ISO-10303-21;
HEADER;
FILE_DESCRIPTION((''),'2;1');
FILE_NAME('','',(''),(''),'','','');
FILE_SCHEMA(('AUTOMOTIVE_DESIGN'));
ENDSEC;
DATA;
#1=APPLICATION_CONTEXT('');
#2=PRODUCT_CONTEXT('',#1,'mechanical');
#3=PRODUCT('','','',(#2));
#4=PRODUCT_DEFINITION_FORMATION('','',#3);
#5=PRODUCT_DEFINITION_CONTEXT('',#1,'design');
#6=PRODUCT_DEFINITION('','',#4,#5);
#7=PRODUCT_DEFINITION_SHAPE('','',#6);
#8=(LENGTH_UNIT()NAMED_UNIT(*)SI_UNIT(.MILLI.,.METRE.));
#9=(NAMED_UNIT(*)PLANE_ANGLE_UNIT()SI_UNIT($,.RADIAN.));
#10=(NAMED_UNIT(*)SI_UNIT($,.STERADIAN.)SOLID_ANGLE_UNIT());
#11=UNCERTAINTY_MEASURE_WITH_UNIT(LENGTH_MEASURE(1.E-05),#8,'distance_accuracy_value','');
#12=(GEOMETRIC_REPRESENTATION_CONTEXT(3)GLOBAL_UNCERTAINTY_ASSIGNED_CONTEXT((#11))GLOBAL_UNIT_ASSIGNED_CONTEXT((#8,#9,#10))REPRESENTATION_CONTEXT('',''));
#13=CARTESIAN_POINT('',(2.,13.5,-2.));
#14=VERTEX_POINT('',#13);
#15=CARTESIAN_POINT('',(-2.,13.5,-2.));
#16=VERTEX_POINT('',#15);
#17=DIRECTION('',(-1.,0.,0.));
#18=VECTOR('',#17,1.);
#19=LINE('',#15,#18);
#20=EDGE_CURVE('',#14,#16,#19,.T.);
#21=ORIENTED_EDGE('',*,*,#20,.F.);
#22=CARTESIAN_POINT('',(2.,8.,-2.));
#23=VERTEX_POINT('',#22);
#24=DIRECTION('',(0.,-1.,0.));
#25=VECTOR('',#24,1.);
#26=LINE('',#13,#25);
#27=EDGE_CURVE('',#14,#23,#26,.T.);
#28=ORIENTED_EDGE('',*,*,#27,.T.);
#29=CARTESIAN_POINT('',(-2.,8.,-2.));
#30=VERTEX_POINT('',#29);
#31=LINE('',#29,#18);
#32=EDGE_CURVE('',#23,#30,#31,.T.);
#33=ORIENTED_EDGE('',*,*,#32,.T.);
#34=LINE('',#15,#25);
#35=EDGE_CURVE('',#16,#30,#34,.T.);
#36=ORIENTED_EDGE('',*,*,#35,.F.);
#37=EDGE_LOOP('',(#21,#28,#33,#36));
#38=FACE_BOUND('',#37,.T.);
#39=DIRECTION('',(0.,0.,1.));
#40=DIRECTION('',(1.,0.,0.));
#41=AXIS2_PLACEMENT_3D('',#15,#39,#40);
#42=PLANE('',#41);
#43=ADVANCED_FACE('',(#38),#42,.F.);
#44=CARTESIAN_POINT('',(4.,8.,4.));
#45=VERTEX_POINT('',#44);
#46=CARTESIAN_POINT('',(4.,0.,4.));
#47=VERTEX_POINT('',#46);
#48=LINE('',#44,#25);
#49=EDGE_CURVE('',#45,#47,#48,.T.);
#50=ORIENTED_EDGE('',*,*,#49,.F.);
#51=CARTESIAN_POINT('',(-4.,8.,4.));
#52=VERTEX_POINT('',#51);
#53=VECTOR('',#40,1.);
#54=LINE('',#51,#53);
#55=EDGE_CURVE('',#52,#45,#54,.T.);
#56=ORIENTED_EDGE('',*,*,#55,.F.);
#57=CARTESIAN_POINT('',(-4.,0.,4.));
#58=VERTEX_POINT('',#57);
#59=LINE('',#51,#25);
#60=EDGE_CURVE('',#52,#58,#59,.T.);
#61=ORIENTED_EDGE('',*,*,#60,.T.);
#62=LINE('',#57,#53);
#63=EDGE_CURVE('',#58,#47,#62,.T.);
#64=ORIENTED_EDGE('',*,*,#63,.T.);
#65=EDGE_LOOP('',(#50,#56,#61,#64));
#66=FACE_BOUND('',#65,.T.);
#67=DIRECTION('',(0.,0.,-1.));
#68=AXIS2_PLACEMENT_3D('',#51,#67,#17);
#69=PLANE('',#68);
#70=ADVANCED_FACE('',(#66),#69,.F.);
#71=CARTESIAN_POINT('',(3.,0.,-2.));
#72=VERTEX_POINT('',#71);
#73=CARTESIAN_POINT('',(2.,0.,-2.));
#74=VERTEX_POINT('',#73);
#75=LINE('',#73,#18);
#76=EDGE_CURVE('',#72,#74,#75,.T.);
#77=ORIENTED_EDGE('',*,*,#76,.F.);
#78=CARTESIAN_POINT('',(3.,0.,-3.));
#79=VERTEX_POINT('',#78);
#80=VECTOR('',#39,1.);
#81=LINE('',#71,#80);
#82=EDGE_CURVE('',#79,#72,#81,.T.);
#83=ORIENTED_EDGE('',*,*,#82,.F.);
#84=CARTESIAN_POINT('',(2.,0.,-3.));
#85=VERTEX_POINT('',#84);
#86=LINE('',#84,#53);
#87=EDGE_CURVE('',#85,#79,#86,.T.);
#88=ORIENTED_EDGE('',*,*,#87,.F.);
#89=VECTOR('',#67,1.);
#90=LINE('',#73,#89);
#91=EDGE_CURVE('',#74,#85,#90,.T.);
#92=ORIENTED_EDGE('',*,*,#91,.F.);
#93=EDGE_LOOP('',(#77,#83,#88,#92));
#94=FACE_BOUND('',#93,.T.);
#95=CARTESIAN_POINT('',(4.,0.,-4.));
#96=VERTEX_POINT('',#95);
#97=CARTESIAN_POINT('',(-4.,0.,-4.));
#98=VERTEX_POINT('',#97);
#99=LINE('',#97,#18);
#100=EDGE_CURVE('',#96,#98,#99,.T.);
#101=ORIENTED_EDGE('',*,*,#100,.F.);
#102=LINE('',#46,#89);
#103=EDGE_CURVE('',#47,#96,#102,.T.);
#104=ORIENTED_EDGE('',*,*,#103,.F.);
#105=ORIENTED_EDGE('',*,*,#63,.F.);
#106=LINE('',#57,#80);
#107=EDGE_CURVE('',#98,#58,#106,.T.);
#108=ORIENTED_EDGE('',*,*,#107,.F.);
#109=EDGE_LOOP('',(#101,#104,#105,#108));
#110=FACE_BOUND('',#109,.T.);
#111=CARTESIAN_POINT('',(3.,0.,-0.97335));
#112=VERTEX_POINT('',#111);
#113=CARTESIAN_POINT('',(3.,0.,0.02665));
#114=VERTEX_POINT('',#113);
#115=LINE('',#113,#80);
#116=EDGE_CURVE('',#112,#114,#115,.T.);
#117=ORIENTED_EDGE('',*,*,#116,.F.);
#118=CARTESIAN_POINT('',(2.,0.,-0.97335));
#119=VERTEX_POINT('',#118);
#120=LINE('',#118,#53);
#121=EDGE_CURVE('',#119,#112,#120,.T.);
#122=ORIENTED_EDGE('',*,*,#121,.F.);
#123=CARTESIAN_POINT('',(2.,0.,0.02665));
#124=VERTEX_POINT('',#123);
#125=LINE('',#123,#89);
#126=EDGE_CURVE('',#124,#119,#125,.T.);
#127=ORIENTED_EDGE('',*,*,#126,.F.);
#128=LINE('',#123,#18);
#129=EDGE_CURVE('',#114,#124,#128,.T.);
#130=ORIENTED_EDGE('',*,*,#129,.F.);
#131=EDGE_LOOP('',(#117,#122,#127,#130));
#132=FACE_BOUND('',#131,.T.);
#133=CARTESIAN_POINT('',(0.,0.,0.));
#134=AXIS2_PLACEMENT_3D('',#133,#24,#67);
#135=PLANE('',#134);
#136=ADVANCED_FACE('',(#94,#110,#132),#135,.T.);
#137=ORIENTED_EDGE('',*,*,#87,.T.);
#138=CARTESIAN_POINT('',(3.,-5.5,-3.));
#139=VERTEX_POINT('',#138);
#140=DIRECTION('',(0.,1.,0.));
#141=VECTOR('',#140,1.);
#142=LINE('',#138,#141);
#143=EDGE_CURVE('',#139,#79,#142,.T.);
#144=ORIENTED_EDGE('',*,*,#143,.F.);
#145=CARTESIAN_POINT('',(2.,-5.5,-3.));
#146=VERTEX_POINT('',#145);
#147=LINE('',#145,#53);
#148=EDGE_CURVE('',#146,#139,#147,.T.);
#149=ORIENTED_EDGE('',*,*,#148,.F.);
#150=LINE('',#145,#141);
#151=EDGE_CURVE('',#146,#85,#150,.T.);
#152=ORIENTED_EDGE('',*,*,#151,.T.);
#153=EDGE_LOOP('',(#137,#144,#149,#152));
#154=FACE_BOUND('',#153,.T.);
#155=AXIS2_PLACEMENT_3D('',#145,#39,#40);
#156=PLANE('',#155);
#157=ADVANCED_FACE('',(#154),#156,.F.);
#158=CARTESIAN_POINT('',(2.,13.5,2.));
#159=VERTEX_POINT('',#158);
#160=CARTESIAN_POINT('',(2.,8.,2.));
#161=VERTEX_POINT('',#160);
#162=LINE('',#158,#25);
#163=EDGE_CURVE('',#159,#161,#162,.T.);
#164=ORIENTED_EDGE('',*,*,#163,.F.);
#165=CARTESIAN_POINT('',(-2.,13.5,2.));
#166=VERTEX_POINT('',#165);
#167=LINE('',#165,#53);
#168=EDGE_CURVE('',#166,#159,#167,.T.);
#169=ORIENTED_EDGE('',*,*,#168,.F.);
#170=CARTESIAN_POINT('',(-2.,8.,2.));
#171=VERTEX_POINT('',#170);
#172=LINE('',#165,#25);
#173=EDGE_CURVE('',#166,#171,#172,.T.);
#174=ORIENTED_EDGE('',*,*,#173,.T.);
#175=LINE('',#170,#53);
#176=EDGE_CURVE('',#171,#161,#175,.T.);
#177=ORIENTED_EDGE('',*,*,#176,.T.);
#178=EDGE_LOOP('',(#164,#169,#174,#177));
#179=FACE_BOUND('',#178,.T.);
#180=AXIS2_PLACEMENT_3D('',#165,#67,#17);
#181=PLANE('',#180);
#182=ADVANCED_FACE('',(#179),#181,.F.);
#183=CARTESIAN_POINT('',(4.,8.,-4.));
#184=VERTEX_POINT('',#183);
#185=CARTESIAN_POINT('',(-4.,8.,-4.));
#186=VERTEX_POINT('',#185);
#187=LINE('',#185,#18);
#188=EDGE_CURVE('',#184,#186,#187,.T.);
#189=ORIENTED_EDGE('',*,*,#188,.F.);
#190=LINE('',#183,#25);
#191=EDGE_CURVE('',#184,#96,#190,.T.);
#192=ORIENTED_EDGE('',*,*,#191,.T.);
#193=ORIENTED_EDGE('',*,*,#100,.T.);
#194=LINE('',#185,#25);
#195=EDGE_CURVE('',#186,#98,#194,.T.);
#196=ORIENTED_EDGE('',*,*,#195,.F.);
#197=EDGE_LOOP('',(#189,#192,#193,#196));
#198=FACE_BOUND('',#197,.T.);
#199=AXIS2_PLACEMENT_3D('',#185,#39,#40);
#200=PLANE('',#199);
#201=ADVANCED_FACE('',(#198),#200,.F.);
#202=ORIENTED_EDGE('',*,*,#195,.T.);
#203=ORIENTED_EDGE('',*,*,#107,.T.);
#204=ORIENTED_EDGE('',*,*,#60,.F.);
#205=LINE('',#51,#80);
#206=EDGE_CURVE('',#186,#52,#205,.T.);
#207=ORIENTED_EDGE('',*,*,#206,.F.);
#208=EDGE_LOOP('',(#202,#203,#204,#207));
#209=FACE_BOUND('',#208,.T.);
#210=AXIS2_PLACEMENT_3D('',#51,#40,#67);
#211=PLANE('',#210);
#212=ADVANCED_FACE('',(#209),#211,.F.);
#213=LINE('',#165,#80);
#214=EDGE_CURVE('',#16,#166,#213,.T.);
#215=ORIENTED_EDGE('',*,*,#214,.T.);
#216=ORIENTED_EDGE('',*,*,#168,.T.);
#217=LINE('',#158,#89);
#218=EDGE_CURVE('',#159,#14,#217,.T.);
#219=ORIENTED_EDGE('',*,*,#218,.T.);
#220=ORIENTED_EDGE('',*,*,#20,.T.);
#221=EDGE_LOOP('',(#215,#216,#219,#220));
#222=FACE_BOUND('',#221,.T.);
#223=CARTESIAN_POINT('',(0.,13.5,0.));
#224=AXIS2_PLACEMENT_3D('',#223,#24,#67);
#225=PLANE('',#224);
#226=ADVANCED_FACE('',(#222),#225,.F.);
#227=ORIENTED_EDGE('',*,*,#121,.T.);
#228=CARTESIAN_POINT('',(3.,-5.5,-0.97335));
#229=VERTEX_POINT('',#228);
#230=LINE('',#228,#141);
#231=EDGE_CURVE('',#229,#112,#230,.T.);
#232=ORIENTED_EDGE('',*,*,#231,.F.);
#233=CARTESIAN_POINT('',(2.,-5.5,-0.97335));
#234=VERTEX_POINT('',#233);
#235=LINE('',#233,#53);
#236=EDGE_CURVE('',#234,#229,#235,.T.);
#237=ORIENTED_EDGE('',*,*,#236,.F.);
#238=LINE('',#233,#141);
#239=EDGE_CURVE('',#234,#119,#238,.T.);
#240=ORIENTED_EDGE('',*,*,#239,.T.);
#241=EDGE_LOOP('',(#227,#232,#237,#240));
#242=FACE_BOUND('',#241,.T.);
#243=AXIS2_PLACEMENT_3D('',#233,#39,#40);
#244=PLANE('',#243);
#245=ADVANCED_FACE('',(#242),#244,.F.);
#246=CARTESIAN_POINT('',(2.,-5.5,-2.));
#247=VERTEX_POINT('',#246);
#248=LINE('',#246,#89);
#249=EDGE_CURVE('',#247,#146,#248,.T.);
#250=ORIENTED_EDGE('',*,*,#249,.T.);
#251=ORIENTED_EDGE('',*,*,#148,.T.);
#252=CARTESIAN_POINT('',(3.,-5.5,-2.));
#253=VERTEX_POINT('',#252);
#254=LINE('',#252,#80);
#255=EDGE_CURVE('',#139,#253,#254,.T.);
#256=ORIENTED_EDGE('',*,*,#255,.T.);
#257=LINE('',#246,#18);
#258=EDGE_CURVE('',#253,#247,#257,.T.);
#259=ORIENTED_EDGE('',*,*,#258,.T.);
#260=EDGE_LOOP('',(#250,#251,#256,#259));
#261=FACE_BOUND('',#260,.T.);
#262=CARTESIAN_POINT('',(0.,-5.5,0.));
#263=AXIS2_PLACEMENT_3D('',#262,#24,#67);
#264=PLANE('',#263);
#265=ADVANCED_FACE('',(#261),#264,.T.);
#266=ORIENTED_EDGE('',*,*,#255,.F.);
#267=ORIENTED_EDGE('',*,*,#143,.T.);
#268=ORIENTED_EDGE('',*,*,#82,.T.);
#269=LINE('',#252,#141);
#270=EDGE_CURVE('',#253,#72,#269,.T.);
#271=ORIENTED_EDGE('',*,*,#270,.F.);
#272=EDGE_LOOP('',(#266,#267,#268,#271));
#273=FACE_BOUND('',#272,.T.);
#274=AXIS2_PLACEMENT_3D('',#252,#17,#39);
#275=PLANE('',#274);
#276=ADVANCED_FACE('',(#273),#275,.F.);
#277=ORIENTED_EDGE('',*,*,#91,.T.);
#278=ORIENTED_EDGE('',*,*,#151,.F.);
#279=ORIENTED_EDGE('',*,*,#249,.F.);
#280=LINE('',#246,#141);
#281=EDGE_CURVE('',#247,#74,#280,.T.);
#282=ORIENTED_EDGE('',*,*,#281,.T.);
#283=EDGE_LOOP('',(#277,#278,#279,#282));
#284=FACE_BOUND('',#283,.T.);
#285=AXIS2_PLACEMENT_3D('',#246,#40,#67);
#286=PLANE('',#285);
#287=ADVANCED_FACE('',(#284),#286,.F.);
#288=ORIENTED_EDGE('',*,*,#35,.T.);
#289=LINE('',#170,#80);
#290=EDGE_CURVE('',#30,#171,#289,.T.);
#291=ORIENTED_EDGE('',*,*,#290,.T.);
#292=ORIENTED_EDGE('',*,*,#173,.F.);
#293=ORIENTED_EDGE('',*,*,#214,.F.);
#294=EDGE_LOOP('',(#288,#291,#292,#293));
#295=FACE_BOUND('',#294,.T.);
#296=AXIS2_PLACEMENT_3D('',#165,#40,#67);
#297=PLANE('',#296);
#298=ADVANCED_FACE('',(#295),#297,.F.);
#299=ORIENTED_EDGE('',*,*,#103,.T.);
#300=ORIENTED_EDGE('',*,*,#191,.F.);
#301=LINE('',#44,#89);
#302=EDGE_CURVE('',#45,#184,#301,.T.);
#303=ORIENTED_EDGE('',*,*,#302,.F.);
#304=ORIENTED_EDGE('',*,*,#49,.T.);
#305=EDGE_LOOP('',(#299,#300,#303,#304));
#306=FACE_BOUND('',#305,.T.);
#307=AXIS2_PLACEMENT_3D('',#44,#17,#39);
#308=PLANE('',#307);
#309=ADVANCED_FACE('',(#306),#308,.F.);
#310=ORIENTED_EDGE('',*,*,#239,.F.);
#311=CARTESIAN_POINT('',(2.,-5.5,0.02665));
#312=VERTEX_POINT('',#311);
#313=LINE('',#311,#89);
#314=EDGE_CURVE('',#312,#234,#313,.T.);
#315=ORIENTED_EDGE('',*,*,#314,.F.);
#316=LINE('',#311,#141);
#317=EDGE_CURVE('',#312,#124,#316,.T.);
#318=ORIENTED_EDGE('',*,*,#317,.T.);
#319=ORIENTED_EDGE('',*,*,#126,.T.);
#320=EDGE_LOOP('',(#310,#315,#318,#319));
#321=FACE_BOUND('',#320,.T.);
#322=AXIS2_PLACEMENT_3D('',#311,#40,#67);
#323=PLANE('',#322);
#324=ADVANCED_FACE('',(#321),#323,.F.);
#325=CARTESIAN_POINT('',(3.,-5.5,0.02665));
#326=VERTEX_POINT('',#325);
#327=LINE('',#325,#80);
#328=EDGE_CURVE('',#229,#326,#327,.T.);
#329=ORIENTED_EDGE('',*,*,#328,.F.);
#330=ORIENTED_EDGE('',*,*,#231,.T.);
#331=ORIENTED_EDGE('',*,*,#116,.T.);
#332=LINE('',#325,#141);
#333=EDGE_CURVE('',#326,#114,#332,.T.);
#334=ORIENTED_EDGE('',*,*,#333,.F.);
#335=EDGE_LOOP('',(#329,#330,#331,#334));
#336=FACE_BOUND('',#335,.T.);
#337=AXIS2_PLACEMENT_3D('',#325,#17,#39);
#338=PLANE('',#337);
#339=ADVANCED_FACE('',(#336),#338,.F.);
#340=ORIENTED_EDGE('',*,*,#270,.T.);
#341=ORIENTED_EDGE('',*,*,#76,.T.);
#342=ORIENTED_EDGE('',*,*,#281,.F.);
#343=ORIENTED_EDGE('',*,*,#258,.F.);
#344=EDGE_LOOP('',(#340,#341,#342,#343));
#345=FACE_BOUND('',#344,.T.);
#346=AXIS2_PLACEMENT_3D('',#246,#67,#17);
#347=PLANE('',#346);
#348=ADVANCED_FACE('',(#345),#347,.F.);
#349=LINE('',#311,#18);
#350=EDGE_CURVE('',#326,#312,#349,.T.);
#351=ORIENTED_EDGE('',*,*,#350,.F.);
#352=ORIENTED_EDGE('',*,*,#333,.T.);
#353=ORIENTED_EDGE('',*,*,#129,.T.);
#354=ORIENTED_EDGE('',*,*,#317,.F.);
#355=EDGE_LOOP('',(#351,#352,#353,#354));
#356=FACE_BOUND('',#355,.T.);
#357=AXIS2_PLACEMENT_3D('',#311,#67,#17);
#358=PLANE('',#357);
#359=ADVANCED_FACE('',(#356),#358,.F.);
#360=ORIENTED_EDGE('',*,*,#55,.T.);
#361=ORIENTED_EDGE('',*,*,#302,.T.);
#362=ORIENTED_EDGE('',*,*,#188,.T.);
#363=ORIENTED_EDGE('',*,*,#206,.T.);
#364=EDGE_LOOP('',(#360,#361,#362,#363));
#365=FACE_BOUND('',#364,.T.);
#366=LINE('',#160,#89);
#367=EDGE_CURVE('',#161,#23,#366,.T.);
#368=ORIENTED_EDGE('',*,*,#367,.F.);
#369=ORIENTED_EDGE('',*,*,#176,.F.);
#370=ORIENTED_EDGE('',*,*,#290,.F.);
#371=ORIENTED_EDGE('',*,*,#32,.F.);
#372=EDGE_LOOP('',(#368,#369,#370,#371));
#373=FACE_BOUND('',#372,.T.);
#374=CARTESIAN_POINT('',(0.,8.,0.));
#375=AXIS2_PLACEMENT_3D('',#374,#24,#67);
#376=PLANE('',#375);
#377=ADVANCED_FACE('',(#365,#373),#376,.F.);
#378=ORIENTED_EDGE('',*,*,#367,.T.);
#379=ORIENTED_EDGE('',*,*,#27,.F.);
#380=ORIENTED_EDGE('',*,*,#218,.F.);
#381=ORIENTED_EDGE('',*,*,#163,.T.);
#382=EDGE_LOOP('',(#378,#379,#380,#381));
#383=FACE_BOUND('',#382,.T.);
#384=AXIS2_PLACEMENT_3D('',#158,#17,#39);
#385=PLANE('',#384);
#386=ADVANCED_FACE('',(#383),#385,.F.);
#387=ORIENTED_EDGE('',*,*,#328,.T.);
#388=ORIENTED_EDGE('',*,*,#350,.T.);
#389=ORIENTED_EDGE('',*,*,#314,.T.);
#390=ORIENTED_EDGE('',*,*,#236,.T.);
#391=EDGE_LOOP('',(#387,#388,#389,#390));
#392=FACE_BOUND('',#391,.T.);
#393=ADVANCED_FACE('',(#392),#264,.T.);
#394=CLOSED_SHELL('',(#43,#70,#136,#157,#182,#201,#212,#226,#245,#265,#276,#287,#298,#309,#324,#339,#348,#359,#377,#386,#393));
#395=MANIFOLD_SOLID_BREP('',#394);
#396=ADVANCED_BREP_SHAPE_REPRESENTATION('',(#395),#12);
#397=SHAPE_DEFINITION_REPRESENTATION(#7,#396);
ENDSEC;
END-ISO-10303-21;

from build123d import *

# Parameters (mm, degrees)
SKETCH1_W           = 8
SKETCH1_H           = 8
BOSS_EXTRUDE1_DEPTH = 8
SKETCH2_W           = 4
SKETCH2_H           = 4
BOSS_EXTRUDE2_DEPTH = 5.5
SKETCH3_W           = 1
SKETCH3_H           = 1
BOSS_EXTRUDE3_DEPTH = 5.5


with BuildPart() as part:
    # Sketch1 → Boss-Extrude1 (new body)
    with BuildSketch(Plane(origin=(0, 0, 0), x_dir=(1, 0, 0), z_dir=(0, 1, 0))):
        Rectangle(SKETCH1_W, SKETCH1_H)
    extrude(amount=BOSS_EXTRUDE1_DEPTH)

    # Sketch2 → Boss-Extrude2 (add)
    with BuildSketch(Plane(origin=(0, 8, 0), x_dir=(1, 0, 0), z_dir=(0, 1, 0))):
        Rectangle(SKETCH2_W, SKETCH2_H)
    extrude(amount=BOSS_EXTRUDE2_DEPTH)

    # Sketch3 → Boss-Extrude3 (add)
    with BuildSketch(Plane.XZ):
        with Locations((2.5, -2.5)):
            Rectangle(SKETCH3_W, SKETCH3_H)
        with Locations((2.5, -0.47334968)):
            Rectangle(SKETCH3_W, SKETCH3_H)
    extrude(amount=BOSS_EXTRUDE3_DEPTH)


solid = part.part
